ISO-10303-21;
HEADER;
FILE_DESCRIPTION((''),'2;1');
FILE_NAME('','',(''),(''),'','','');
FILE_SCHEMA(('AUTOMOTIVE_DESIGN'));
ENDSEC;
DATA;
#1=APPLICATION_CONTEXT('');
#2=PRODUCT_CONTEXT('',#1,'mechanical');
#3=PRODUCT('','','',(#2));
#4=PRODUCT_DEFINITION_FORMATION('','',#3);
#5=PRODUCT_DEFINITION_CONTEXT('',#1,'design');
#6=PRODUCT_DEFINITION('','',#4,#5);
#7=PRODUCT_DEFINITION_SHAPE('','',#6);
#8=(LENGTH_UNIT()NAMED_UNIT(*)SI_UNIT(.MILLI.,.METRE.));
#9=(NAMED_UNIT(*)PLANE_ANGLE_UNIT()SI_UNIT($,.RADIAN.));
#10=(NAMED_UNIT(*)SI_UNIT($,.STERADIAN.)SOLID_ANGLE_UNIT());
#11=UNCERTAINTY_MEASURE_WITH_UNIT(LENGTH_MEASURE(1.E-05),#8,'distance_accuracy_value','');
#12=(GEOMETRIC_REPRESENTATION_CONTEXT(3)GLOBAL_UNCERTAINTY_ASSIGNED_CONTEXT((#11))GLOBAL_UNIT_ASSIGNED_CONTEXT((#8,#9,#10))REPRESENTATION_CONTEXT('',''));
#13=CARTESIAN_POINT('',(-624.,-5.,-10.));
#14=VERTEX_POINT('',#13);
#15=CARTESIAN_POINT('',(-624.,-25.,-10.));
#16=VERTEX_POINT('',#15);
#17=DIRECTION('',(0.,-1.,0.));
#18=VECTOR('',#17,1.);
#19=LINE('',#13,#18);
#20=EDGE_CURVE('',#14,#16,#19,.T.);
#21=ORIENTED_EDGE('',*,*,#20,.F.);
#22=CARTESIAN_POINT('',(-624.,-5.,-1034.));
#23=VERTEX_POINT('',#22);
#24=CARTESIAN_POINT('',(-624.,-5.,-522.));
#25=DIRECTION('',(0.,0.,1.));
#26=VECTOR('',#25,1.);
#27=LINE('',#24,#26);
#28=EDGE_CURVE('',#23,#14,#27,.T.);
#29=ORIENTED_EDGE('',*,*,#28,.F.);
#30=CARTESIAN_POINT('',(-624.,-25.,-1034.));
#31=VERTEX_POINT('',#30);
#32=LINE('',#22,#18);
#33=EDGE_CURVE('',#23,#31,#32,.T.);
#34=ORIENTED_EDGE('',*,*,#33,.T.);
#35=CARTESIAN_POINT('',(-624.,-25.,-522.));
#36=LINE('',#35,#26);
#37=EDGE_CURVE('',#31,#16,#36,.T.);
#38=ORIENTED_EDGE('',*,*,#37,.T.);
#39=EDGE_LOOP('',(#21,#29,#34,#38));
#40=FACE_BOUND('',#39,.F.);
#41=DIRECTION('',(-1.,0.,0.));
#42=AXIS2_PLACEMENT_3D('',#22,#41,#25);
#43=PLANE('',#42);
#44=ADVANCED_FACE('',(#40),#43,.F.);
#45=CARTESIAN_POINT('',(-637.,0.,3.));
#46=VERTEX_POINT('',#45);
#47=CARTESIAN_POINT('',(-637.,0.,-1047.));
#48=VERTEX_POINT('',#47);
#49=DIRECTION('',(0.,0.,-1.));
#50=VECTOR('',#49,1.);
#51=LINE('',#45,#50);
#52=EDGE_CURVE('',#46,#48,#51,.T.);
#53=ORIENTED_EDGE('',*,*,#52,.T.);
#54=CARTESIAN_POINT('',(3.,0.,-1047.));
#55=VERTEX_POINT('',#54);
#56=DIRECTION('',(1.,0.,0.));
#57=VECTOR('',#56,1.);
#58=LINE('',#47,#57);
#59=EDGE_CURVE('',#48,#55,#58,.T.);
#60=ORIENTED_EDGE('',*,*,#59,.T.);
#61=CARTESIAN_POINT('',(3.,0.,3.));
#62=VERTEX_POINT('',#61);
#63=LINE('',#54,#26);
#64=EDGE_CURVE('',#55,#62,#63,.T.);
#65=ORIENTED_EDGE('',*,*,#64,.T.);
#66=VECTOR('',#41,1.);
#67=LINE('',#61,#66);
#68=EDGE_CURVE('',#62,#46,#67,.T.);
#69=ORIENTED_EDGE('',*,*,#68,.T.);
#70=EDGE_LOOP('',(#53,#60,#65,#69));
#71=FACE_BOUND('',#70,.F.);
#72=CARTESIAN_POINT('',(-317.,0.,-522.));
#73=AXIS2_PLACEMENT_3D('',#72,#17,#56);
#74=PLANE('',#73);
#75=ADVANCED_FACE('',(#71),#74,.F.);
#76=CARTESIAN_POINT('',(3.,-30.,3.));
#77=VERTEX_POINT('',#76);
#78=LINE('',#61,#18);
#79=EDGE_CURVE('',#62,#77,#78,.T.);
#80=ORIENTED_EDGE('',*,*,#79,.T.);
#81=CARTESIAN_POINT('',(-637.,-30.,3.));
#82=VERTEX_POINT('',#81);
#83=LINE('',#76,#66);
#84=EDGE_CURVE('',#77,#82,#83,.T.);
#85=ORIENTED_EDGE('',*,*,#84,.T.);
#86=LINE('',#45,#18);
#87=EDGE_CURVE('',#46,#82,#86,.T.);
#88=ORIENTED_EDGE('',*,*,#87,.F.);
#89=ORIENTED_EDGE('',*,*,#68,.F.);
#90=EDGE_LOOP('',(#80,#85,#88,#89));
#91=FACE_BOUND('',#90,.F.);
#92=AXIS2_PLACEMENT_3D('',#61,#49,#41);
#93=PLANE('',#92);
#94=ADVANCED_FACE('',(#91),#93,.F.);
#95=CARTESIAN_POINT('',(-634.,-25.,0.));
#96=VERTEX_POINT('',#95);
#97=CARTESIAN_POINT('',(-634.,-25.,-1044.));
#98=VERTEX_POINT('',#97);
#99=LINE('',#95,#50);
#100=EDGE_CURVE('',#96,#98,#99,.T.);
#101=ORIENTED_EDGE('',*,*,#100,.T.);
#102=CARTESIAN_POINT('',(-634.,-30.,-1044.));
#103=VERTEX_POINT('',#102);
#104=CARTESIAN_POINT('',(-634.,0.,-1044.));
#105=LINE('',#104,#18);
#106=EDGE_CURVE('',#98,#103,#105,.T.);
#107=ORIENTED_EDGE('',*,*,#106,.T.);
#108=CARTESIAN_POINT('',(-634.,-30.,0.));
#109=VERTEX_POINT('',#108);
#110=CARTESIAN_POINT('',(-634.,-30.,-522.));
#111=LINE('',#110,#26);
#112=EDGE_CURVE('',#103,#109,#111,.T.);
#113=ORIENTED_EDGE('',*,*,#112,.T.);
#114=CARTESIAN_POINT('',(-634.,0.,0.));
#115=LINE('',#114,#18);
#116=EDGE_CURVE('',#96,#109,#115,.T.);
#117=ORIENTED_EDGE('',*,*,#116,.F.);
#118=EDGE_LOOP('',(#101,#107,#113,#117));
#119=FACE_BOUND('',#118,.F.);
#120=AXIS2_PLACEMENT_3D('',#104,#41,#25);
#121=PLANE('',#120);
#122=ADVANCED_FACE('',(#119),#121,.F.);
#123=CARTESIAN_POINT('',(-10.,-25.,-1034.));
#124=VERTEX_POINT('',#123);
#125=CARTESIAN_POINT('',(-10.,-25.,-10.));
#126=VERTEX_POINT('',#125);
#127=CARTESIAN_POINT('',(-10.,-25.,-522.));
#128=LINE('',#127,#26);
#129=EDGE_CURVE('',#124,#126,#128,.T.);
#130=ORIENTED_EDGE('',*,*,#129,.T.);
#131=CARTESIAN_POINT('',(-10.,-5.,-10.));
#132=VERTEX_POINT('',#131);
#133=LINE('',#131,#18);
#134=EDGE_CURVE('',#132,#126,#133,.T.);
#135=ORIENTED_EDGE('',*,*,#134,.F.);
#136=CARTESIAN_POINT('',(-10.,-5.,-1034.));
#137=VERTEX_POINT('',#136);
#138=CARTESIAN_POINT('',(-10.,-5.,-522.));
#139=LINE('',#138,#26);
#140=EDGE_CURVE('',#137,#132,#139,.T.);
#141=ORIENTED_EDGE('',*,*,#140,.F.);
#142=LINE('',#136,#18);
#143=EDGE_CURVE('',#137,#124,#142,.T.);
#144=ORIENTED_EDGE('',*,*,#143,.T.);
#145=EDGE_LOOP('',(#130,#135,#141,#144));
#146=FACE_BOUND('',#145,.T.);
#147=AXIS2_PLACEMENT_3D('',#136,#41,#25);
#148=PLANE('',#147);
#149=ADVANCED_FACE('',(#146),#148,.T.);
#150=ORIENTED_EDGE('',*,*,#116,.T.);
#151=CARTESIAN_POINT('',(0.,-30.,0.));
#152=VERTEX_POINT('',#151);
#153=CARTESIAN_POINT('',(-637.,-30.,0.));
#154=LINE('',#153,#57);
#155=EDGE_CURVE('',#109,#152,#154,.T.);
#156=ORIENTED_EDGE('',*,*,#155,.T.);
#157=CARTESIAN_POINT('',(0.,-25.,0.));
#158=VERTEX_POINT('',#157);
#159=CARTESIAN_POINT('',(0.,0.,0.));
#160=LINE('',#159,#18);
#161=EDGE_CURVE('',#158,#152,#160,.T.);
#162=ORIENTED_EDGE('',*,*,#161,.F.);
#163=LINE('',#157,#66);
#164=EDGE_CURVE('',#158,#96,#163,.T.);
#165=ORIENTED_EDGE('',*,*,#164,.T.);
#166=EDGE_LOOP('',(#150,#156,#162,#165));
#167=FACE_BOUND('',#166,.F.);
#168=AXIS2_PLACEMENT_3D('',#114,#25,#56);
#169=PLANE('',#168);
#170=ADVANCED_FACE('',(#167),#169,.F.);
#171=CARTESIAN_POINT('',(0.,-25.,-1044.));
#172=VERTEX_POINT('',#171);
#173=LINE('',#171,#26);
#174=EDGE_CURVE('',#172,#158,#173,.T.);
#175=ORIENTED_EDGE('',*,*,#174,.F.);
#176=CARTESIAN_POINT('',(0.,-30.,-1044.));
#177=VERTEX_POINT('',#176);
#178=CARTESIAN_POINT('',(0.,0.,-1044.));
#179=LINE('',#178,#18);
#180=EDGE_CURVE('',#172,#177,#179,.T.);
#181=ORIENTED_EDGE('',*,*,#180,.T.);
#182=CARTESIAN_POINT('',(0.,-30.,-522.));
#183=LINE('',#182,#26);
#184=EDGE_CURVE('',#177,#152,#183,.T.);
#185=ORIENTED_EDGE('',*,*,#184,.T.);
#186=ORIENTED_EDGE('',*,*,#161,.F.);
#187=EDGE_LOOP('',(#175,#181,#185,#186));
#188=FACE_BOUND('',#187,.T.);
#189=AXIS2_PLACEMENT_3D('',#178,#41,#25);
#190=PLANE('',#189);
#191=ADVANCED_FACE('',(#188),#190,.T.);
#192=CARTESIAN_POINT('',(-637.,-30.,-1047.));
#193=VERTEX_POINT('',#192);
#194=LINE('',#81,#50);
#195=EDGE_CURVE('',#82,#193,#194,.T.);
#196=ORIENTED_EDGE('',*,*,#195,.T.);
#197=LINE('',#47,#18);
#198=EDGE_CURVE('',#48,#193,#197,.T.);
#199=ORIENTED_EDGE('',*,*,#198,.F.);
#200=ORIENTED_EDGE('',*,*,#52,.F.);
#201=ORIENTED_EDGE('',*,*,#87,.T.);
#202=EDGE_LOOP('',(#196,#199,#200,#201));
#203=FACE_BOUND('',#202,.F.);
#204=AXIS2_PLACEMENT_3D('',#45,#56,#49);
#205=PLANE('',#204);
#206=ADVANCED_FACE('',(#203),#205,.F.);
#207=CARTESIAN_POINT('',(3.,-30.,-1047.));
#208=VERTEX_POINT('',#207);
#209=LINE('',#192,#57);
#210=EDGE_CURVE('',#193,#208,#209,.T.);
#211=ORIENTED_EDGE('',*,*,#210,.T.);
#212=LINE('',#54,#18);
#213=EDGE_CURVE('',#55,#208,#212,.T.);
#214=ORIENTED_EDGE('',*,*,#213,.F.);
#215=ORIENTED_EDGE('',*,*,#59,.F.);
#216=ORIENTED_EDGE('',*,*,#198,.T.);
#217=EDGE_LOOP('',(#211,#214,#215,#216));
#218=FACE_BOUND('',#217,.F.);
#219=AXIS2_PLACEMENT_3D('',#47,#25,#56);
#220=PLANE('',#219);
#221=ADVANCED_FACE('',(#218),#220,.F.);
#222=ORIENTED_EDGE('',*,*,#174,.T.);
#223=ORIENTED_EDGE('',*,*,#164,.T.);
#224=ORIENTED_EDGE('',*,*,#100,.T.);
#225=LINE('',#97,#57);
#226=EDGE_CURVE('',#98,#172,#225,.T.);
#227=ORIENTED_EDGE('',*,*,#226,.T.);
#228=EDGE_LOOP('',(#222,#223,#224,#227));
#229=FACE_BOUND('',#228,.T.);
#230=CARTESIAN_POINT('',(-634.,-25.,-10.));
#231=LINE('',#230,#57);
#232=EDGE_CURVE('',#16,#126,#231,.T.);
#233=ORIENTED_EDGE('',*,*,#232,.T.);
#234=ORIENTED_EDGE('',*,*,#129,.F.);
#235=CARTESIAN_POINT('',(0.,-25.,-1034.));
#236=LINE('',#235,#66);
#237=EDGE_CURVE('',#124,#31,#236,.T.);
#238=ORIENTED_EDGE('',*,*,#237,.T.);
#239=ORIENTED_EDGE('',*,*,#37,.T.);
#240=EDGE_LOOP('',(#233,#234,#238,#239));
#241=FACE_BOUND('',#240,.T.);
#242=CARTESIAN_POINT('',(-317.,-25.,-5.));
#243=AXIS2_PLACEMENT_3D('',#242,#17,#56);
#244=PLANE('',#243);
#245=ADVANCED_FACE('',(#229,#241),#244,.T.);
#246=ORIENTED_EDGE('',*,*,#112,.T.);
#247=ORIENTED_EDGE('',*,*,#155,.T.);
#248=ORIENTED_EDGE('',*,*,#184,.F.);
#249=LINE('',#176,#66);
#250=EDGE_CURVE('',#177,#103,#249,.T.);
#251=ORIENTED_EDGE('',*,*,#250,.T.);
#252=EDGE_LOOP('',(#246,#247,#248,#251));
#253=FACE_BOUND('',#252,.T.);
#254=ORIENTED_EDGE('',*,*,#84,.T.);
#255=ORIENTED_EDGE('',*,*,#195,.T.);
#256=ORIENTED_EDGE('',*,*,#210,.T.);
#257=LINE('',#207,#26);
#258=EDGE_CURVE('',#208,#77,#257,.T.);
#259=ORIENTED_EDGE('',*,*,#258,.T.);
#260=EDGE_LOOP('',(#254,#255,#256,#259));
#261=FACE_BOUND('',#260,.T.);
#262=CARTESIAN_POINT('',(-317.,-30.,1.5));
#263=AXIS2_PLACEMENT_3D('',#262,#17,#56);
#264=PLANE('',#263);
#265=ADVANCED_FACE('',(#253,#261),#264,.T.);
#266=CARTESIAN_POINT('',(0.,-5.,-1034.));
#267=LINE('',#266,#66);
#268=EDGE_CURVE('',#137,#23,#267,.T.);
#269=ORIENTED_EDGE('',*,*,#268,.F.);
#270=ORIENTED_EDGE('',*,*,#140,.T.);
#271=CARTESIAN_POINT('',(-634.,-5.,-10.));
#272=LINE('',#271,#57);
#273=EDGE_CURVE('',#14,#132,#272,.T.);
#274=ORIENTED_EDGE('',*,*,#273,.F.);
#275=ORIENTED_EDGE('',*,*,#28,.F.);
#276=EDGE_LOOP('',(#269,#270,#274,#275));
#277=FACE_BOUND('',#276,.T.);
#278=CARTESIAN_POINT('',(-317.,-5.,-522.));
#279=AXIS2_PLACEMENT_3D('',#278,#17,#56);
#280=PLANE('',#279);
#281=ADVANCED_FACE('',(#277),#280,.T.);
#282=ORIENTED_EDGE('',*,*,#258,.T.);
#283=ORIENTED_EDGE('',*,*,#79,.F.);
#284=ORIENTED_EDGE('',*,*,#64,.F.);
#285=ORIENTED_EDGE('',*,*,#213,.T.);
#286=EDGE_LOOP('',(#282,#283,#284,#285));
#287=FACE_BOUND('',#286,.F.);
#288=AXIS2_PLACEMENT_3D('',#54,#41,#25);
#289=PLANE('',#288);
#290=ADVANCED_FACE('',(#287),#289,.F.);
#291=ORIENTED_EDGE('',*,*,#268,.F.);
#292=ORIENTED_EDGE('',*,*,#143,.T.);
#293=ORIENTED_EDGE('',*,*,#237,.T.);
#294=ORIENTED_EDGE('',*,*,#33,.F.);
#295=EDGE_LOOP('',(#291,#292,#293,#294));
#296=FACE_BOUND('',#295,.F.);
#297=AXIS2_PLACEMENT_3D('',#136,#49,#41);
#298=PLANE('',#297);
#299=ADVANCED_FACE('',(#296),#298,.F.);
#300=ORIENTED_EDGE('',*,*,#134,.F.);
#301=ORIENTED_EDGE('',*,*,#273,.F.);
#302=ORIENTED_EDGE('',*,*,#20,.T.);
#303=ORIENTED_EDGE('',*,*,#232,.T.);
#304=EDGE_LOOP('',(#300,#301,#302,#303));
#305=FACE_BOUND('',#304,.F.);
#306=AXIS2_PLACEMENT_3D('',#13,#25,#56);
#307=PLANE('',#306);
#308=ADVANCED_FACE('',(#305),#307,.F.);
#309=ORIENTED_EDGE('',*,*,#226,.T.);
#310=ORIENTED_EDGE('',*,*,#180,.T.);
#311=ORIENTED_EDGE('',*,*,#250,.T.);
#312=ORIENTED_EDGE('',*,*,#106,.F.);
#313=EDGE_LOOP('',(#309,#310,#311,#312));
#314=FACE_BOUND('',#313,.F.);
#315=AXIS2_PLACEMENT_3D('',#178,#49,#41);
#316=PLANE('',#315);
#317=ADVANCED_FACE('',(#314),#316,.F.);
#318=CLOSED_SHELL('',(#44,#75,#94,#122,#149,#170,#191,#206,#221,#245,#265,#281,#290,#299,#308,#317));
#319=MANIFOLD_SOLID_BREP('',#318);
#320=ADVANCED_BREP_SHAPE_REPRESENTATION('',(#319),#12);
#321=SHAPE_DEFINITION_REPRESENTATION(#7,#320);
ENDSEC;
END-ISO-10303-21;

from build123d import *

# Parameters (mm, degrees)
F0_W     = 3
F0_H     = 1044
F1_DEPTH = 30
F2_W     = 634
F2_H     = 1044
F3_DEPTH = 5
F4_W     = 10
F4_H     = 1024
F5_DEPTH = 20


with BuildPart() as f1:
    # F0 (on Front) → F1 (new body)
    with BuildSketch(Plane.XZ):
        Polygon((-634, 0), (0, 0), (3, 0), (3, 3), (-637, 3), (-637, 0), align=None)
        with Locations((1.5, -522)):
            Rectangle(F0_W, F0_H)
        with Locations((-635.5, -522)):
            Rectangle(F0_W, F0_H)
        Polygon((3, -1044), (0, -1044), (-634, -1044), (-637, -1044), (-637, -1047), (3, -1047), align=None)
    extrude(amount=F1_DEPTH)

    # F2 (on Front) → F3 (join)
    with BuildSketch(Plane.XZ):
        with Locations((-317, -522)):
            Rectangle(F2_W, F2_H)
    extrude(amount=F3_DEPTH)

    # F4 (on face) → F5 (join)
    with BuildSketch(Plane.XZ.offset(5)):
        Polygon((0, -10), (0, 0), (-634, 0), (-634, -10), (-624, -10), (-10, -10), align=None)
        with Locations((-629, -522)):
            Rectangle(F4_W, F4_H)
        Polygon((0, -1044), (0, -1034), (-10, -1034), (-624, -1034), (-634, -1034), (-634, -1044), align=None)
        with Locations((-5, -522)):
            Rectangle(F4_W, F4_H)
    extrude(amount=F5_DEPTH)


solid = f1.part
